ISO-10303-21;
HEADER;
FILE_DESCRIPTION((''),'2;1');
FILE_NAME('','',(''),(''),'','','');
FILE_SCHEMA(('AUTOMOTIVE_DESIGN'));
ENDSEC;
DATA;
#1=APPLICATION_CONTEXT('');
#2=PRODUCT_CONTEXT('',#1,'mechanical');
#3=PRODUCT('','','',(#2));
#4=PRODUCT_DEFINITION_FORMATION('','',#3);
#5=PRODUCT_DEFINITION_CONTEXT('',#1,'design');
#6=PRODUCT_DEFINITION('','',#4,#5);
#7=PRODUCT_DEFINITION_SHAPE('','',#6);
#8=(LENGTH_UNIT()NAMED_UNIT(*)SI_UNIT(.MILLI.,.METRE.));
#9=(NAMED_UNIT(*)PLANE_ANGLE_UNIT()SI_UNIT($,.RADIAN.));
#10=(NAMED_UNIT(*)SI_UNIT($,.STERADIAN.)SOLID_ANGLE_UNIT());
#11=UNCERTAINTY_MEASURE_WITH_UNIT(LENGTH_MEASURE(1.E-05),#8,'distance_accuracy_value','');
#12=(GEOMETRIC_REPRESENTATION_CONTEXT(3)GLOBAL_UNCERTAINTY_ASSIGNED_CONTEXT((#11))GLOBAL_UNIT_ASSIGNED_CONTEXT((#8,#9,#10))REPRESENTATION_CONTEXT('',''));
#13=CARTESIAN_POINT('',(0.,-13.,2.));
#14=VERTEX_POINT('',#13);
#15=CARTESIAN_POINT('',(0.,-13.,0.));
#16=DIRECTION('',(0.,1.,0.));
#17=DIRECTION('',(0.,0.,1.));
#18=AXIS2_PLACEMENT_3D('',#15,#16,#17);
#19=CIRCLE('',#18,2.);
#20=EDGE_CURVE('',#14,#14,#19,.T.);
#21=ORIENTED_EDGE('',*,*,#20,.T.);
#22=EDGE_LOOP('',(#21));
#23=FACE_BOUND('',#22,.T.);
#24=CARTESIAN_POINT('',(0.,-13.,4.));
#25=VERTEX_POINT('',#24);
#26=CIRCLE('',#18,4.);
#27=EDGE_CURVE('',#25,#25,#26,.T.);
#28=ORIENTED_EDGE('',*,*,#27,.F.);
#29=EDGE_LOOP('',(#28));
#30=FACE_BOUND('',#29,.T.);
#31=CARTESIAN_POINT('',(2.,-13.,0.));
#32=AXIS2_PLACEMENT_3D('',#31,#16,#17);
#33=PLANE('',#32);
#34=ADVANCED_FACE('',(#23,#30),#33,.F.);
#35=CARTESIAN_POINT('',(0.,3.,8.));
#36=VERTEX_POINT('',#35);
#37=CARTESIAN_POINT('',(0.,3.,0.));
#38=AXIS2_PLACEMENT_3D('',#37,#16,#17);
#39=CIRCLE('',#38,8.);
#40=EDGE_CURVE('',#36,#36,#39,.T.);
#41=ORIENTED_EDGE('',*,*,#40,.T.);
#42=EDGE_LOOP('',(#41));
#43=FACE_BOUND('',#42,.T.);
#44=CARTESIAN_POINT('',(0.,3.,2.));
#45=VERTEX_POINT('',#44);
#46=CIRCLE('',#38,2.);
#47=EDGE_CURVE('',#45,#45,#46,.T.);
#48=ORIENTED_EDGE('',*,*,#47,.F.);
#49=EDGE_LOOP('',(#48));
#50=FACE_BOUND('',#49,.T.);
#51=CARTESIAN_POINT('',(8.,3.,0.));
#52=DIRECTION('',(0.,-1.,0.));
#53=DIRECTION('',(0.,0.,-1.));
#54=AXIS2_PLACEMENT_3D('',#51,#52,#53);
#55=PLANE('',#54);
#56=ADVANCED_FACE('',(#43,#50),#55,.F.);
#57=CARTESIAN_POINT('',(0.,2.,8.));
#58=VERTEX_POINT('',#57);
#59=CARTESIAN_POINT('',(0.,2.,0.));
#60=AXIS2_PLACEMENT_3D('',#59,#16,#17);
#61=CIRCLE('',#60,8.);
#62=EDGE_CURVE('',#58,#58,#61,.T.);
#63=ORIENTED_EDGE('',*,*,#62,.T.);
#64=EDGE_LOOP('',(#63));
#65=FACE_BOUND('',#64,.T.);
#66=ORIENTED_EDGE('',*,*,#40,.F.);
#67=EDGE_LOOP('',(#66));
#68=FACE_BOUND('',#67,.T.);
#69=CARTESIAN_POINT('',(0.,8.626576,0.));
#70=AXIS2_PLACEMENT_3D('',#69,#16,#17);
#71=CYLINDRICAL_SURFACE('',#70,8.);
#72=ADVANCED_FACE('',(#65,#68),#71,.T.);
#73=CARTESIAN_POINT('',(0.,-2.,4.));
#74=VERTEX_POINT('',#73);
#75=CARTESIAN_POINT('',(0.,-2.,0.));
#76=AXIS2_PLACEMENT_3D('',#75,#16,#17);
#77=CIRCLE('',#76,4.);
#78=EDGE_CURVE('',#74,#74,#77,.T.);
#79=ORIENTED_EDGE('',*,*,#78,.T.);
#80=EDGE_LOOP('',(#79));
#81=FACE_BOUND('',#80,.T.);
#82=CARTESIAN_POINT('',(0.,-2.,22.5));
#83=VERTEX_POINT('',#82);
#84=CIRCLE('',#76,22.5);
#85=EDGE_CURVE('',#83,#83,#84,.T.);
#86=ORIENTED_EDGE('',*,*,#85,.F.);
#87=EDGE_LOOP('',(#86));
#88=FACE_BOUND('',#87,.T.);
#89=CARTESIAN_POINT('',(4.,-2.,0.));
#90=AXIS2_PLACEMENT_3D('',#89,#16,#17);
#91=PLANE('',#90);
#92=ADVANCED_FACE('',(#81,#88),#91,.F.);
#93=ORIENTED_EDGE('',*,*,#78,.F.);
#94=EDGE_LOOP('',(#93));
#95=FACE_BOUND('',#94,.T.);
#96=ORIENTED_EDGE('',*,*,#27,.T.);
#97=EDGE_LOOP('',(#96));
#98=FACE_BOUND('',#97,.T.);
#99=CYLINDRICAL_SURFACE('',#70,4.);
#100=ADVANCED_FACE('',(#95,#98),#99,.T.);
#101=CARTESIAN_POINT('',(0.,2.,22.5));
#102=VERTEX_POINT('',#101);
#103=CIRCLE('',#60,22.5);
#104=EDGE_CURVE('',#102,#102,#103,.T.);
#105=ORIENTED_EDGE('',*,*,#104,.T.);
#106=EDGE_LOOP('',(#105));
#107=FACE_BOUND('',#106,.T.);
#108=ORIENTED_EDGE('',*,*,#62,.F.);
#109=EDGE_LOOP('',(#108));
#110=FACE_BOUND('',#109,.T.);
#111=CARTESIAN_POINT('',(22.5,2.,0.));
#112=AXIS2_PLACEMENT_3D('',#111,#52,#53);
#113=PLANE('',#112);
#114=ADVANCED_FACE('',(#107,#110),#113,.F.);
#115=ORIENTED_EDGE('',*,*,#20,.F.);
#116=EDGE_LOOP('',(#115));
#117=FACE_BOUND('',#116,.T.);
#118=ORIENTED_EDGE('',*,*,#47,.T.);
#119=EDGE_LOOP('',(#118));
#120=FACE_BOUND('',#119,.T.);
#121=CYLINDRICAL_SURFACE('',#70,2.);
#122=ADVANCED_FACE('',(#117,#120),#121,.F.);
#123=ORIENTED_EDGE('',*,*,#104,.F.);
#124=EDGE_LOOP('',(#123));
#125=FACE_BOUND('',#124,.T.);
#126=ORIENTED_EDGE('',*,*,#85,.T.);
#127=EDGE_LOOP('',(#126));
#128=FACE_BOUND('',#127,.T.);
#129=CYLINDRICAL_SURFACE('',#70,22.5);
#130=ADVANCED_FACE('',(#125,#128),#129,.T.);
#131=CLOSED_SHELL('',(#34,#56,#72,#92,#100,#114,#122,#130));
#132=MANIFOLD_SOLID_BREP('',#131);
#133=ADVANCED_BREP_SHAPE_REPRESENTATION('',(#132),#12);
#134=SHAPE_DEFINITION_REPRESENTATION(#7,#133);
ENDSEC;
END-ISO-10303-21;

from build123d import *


with BuildPart() as part:
    # Esquisse1 → Révolution1 (revolve)
    with BuildSketch(Plane.XY):
        Polygon((2, 3), (2, -13), (4, -13), (4, -2), (22.5, -2), (22.5, 2), (8, 2), (8, 3), align=None)
    revolve(axis=Axis((0, 8.626576325, 0), (0, -1, 0)))


solid = part.part
